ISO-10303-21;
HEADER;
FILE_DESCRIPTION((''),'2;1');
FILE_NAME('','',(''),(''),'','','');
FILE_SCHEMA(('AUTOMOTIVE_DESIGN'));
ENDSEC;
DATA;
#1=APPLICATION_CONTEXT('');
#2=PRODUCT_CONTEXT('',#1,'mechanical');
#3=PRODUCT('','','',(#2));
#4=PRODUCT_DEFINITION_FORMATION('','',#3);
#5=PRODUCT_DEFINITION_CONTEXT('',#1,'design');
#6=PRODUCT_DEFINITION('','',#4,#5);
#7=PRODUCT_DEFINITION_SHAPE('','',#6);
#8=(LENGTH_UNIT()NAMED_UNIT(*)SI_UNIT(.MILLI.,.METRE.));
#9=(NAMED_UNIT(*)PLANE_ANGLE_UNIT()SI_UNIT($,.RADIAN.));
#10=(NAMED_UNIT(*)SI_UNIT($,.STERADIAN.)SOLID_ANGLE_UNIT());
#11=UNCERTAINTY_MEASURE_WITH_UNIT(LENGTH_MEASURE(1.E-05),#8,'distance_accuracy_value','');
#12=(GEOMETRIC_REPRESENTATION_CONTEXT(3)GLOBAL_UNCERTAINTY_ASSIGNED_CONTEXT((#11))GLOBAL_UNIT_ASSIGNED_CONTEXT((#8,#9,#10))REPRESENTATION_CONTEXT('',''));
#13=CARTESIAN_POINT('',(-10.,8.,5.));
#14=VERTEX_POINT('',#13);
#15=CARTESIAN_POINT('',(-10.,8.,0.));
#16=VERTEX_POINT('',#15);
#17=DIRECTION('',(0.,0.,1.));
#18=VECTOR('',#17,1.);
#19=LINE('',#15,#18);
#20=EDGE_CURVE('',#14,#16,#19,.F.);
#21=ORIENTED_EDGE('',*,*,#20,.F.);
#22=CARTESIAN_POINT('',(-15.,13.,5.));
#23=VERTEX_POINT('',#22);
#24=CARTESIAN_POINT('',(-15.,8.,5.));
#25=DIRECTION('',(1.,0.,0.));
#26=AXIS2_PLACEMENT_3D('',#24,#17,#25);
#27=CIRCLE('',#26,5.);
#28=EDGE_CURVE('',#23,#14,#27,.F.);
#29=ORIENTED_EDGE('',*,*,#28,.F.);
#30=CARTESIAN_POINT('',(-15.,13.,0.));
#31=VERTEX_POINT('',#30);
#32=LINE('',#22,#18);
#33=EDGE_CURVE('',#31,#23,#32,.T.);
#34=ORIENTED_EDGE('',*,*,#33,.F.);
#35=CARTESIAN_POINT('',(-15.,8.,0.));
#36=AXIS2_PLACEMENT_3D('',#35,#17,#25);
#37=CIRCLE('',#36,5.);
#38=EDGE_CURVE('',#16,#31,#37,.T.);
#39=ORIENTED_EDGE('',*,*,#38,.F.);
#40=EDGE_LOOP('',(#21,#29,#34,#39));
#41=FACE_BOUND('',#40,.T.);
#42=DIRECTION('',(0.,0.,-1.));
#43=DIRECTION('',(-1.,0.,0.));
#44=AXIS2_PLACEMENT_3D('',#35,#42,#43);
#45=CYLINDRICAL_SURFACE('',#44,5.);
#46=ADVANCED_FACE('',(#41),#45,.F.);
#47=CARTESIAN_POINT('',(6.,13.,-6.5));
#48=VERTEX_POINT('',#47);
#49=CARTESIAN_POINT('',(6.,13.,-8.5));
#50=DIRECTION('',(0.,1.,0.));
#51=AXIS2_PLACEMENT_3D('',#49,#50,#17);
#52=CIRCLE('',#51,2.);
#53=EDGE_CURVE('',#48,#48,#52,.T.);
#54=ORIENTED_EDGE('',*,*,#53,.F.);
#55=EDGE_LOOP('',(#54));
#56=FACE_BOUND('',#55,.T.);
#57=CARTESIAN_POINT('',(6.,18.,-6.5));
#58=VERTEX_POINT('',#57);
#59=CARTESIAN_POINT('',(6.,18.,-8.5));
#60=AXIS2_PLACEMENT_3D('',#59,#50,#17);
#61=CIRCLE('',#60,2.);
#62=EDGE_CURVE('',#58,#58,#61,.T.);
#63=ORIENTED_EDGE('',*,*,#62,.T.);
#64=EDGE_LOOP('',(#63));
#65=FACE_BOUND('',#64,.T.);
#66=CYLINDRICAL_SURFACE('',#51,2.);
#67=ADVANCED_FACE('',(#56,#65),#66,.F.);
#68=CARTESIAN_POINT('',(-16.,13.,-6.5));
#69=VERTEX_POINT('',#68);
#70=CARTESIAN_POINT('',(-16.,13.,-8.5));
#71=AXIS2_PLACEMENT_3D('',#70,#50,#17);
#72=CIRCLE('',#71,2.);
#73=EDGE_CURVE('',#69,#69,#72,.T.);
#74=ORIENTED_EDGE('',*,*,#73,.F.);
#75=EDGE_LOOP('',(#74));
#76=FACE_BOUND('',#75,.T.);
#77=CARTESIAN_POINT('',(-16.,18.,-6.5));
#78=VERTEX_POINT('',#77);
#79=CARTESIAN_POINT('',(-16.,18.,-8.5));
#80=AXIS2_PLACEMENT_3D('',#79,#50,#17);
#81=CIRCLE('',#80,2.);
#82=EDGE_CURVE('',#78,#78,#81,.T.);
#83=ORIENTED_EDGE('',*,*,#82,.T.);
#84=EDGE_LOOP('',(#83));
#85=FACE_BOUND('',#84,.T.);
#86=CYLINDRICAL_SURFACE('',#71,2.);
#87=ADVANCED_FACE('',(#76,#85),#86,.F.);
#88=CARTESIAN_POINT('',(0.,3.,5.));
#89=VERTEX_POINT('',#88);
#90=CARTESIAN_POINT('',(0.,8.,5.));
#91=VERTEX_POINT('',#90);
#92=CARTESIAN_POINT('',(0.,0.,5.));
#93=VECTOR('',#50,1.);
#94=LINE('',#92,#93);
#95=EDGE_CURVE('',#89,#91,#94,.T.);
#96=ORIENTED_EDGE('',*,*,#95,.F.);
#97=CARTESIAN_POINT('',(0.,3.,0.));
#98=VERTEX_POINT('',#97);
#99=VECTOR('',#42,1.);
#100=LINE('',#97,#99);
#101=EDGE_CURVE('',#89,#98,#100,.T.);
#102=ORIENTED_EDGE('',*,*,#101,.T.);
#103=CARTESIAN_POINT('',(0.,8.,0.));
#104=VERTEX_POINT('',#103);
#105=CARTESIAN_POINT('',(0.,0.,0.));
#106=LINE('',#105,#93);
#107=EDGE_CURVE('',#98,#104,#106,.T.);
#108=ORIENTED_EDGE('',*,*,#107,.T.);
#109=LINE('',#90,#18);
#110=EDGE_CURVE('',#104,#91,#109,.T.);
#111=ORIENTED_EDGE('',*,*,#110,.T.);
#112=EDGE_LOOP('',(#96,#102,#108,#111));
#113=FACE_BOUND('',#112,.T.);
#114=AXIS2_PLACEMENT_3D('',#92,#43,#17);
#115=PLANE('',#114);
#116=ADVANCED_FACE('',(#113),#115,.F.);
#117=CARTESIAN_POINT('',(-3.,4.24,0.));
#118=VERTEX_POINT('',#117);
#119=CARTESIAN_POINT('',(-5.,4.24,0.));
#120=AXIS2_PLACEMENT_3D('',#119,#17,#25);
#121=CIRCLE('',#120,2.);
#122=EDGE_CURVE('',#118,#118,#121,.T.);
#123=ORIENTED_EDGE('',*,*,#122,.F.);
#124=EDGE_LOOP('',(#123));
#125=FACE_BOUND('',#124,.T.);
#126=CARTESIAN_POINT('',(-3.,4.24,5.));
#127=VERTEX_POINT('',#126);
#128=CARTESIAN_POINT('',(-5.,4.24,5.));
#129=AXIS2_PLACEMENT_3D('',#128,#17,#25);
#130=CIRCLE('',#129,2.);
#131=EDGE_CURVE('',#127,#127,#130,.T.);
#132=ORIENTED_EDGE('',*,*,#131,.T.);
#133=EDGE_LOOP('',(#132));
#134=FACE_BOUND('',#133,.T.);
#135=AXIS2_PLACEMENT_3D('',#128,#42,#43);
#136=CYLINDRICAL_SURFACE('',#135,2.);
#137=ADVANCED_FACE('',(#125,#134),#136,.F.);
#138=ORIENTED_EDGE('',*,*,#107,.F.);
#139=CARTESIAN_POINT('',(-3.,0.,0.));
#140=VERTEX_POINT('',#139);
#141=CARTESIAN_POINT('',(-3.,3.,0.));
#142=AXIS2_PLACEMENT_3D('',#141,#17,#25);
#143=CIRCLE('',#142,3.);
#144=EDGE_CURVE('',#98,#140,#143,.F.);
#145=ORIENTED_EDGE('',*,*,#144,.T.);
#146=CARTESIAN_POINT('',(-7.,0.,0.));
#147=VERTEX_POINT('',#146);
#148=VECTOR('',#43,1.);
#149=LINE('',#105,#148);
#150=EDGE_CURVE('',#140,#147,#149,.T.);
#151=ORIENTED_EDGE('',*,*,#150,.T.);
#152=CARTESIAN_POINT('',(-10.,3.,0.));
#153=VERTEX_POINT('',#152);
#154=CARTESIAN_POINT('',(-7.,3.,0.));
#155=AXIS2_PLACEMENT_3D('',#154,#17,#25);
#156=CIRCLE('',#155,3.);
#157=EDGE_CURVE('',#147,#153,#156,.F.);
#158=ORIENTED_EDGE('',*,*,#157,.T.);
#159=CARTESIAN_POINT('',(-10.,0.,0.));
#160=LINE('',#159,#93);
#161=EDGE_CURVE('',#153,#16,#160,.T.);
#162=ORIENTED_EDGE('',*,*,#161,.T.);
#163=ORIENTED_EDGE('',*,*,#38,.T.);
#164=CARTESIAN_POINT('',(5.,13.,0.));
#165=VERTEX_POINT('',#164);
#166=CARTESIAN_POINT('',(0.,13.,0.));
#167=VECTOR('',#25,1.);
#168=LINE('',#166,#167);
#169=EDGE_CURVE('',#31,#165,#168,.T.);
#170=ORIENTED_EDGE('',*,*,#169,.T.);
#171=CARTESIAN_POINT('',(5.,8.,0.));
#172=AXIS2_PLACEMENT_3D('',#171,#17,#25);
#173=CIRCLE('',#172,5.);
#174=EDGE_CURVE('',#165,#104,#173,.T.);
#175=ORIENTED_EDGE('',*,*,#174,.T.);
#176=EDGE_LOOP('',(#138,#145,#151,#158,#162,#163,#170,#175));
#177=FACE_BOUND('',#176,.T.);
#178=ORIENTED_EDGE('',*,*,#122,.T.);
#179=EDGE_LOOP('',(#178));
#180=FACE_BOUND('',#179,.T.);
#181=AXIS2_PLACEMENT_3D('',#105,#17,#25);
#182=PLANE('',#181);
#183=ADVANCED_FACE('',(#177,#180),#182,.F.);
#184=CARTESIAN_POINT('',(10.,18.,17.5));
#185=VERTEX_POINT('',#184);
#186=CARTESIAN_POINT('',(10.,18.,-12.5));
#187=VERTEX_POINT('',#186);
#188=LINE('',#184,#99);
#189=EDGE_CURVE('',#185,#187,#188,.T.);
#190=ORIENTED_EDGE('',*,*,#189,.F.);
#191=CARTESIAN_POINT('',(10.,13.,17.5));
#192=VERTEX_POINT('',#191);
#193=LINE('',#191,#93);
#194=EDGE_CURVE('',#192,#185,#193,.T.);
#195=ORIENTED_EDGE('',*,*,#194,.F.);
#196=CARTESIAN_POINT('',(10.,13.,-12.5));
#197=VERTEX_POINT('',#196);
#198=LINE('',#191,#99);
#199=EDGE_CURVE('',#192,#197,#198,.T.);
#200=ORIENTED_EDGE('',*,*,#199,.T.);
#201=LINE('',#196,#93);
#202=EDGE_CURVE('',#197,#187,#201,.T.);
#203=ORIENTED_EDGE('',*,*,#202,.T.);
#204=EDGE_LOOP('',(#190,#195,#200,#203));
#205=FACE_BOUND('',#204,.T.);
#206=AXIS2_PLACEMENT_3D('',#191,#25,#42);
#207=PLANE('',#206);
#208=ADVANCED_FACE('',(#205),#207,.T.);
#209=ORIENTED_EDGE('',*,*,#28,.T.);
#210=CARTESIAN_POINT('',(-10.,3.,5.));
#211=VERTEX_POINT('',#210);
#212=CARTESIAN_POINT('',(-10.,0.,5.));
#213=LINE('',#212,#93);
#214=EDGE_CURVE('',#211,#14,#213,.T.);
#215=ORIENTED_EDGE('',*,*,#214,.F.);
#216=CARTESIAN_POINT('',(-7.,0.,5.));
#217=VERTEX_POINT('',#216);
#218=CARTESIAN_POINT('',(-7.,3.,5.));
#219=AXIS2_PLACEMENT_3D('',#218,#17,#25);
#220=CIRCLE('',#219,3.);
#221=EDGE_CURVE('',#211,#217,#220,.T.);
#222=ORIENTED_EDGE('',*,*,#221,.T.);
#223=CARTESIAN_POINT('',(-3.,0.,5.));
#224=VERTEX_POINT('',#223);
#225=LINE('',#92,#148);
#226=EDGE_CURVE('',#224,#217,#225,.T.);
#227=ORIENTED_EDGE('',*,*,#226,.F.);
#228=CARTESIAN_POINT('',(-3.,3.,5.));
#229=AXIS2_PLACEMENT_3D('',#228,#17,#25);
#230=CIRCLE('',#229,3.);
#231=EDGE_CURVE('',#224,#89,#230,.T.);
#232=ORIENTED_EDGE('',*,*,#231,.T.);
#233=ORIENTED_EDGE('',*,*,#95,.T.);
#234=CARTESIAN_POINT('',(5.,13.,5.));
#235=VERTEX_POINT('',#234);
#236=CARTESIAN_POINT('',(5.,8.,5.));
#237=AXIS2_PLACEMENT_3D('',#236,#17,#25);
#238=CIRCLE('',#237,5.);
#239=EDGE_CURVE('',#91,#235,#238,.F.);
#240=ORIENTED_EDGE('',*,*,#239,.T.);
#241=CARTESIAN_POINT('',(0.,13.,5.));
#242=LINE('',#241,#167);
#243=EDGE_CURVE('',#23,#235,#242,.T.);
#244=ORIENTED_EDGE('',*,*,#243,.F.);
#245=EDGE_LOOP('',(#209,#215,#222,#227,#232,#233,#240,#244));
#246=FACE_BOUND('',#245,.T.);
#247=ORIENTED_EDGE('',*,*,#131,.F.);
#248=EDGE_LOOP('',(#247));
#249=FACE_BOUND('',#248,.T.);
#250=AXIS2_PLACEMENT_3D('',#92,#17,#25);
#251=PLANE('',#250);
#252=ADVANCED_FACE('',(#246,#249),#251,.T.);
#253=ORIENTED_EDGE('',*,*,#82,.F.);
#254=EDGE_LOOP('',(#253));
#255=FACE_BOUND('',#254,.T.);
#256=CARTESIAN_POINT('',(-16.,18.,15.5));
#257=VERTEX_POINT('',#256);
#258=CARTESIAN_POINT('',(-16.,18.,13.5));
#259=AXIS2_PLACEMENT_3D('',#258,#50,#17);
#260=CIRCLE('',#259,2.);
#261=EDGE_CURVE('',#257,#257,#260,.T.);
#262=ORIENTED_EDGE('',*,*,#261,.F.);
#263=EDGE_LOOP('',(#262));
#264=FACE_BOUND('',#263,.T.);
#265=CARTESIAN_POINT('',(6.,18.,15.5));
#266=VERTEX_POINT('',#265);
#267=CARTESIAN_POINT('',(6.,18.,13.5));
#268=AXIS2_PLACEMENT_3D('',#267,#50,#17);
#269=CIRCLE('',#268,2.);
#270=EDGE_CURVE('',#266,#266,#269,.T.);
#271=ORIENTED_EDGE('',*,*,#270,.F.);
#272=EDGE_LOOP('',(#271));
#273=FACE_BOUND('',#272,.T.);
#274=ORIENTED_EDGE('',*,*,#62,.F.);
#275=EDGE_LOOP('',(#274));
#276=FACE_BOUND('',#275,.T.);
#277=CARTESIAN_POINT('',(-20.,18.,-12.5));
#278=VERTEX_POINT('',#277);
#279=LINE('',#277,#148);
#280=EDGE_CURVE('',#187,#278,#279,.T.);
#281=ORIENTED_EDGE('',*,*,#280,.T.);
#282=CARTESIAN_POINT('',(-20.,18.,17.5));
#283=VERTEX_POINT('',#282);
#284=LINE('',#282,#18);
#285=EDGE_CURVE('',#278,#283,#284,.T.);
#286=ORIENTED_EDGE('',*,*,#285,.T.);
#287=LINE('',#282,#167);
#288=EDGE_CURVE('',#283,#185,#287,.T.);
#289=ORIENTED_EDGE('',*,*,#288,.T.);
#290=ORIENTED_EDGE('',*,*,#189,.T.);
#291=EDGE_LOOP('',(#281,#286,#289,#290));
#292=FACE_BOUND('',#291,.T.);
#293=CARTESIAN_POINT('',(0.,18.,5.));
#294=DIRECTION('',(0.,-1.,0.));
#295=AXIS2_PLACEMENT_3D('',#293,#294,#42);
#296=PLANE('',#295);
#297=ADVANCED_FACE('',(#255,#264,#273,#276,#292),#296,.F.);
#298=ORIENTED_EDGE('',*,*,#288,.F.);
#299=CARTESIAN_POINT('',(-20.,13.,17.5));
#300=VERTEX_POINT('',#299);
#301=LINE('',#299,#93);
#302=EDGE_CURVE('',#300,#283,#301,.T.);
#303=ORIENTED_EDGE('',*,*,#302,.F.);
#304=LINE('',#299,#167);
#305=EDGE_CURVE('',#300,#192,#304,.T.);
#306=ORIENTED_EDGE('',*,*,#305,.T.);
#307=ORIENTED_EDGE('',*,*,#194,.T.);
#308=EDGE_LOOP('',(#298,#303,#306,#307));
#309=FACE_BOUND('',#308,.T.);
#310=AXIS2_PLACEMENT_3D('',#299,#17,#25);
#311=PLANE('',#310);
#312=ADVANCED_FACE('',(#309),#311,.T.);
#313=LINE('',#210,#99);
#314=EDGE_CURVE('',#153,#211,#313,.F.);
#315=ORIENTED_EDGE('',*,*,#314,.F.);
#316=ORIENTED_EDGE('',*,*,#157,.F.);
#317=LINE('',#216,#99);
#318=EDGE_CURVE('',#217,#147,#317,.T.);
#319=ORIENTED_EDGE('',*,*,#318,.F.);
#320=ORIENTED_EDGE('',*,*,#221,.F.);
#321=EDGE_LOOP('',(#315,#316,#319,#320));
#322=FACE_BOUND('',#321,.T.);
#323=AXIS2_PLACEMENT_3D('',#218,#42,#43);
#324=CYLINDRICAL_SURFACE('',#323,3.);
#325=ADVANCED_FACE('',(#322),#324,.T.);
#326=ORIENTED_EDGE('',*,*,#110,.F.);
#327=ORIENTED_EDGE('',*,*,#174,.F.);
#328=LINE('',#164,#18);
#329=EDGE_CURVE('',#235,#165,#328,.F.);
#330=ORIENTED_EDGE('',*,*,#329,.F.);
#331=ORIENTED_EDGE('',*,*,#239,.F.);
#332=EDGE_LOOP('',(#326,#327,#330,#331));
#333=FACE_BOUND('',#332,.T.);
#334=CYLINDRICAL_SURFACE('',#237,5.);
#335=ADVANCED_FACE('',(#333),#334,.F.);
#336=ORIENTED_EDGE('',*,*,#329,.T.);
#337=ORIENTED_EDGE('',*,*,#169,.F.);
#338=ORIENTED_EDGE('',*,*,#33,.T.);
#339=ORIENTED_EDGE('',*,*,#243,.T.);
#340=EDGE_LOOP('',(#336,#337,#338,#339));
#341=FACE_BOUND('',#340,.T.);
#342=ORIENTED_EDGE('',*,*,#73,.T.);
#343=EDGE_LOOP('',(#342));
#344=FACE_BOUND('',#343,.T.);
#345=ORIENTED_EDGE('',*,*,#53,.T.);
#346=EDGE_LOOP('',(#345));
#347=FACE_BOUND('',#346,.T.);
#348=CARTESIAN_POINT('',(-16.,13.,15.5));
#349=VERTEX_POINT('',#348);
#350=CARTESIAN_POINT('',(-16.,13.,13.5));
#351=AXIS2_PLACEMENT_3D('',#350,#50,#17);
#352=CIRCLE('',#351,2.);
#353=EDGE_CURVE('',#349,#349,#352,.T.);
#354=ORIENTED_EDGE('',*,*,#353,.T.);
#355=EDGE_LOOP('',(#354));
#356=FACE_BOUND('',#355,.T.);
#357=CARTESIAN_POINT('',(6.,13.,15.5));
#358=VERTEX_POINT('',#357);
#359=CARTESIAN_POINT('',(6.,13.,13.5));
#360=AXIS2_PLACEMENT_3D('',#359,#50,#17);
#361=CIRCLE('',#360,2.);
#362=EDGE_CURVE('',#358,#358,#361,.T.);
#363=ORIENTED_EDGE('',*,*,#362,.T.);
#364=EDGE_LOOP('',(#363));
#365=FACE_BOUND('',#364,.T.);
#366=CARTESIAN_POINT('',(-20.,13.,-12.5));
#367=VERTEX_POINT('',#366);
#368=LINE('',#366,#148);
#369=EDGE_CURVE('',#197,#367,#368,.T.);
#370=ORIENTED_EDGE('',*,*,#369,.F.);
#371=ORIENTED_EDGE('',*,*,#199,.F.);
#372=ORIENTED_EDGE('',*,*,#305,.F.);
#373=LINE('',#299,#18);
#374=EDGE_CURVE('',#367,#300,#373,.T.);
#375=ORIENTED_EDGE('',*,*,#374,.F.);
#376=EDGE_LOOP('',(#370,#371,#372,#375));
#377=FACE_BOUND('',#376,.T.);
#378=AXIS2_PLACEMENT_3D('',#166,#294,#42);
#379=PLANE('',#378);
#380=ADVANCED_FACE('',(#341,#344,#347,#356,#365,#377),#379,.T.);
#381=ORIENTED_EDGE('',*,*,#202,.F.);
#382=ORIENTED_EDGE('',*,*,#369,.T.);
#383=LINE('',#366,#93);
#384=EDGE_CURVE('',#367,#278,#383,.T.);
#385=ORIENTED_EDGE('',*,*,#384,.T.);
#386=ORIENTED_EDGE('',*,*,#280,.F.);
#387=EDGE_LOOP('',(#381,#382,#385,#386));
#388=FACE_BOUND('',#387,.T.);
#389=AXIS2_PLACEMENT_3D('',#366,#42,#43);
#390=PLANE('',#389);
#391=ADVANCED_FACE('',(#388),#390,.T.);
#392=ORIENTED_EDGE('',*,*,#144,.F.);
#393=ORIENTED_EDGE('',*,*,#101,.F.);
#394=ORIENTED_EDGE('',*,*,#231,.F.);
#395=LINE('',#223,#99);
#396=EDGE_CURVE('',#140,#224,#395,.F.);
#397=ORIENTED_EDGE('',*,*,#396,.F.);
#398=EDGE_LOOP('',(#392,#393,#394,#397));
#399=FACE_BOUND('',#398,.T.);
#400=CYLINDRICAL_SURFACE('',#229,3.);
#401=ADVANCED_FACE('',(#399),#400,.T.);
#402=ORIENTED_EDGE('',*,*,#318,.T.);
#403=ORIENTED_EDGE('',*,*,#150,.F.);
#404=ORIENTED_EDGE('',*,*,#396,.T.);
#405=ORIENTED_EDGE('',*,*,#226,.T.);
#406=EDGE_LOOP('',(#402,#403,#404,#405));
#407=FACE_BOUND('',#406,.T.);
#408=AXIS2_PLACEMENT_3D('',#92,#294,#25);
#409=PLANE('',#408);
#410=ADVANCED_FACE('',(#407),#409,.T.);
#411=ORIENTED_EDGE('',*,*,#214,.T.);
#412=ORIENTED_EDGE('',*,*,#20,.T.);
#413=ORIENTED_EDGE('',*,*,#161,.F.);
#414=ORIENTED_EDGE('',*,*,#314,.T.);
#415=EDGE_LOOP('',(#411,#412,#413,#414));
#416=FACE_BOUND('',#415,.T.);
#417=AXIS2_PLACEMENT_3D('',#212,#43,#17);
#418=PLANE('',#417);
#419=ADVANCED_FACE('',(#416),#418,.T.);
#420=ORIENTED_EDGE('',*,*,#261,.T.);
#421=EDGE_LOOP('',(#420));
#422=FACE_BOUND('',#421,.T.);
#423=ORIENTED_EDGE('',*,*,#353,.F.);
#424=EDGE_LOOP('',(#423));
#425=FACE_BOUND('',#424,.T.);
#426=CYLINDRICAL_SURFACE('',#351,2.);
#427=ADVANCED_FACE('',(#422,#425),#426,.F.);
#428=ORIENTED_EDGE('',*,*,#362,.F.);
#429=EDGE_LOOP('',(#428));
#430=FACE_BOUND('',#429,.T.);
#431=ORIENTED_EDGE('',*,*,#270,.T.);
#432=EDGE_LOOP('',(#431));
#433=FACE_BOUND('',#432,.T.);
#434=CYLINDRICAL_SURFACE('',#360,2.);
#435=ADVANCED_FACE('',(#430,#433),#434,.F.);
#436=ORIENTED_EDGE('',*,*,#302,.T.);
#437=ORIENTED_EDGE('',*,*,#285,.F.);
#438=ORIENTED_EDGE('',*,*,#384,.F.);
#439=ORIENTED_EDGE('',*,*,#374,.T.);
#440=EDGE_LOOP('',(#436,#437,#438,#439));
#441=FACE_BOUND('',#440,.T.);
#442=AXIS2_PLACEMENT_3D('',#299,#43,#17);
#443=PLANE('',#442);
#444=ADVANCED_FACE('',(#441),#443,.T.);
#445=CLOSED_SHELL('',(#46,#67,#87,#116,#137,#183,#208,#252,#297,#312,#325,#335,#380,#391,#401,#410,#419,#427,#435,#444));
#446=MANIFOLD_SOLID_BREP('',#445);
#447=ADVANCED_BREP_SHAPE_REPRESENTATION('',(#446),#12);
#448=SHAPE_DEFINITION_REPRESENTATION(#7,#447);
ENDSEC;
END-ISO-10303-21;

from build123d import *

# Parameters (mm, degrees)
SKETCH2_W           = 10
SKETCH2_H           = 18
SKETCH2_R           = 2
BOSS_EXTRUDE1_DEPTH = 5
SKETCH3_W           = 30
SKETCH3_H           = 30
BOSS_EXTRUDE2_DEPTH = 5
FILLET1_R           = 5
FILLET2_R           = 3
SKETCH4_R           = 2
CUT_EXTRUDE1_DEPTH  = 5


with BuildPart() as part:
    # Sketch2 → Boss-Extrude1 (new body)
    with BuildSketch(Plane.XY):
        with Locations((-5, 9)):
            Rectangle(SKETCH2_W, SKETCH2_H)
        with Locations((-5, 4.24)):
            Circle(SKETCH2_R, mode=Mode.SUBTRACT)
    extrude(amount=BOSS_EXTRUDE1_DEPTH)

    # Sketch3 → Boss-Extrude2 (add)
    with BuildSketch(Plane(origin=(0, 18, 0), x_dir=(1, 0, 0), z_dir=(0, 1, 0))):
        with Locations((-5, -2.5)):
            Rectangle(SKETCH3_W, SKETCH3_H)
    extrude(amount=-BOSS_EXTRUDE2_DEPTH)

    # Fillet1
    fillet1_edges = [part.edges().sort_by_distance(p)[0] for p in [
        (0, 13, 2.5),
        (-10, 13, 2.5),
    ]]
    fillet(fillet1_edges, radius=FILLET1_R)

    # Fillet2
    fillet2_edges = [part.edges().sort_by_distance(p)[0] for p in [
        (0, 0, 2.5),
        (-10, 0, 2.5),
    ]]
    fillet(fillet2_edges, radius=FILLET2_R)

    # Sketch4 → Cut-Extrude1 (cut)
    with BuildSketch(Plane(origin=(0, 18, 0), x_dir=(1, 0, 0), z_dir=(0, 1, 0))):
        with Locations(Location((-16, 8.5, 0), (0, 0, 270))):
            Circle(SKETCH4_R)
        with Locations(Location((6, 8.5, 0), (0, 0, 270))):
            Circle(SKETCH4_R)
        with Locations(Location((6, -13.5, 0), (0, 0, 270))):
            Circle(SKETCH4_R)
        with Locations(Location((-16, -13.5, 0), (0, 0, 270))):
            Circle(SKETCH4_R)
    extrude(amount=-CUT_EXTRUDE1_DEPTH, mode=Mode.SUBTRACT)


solid = part.part
